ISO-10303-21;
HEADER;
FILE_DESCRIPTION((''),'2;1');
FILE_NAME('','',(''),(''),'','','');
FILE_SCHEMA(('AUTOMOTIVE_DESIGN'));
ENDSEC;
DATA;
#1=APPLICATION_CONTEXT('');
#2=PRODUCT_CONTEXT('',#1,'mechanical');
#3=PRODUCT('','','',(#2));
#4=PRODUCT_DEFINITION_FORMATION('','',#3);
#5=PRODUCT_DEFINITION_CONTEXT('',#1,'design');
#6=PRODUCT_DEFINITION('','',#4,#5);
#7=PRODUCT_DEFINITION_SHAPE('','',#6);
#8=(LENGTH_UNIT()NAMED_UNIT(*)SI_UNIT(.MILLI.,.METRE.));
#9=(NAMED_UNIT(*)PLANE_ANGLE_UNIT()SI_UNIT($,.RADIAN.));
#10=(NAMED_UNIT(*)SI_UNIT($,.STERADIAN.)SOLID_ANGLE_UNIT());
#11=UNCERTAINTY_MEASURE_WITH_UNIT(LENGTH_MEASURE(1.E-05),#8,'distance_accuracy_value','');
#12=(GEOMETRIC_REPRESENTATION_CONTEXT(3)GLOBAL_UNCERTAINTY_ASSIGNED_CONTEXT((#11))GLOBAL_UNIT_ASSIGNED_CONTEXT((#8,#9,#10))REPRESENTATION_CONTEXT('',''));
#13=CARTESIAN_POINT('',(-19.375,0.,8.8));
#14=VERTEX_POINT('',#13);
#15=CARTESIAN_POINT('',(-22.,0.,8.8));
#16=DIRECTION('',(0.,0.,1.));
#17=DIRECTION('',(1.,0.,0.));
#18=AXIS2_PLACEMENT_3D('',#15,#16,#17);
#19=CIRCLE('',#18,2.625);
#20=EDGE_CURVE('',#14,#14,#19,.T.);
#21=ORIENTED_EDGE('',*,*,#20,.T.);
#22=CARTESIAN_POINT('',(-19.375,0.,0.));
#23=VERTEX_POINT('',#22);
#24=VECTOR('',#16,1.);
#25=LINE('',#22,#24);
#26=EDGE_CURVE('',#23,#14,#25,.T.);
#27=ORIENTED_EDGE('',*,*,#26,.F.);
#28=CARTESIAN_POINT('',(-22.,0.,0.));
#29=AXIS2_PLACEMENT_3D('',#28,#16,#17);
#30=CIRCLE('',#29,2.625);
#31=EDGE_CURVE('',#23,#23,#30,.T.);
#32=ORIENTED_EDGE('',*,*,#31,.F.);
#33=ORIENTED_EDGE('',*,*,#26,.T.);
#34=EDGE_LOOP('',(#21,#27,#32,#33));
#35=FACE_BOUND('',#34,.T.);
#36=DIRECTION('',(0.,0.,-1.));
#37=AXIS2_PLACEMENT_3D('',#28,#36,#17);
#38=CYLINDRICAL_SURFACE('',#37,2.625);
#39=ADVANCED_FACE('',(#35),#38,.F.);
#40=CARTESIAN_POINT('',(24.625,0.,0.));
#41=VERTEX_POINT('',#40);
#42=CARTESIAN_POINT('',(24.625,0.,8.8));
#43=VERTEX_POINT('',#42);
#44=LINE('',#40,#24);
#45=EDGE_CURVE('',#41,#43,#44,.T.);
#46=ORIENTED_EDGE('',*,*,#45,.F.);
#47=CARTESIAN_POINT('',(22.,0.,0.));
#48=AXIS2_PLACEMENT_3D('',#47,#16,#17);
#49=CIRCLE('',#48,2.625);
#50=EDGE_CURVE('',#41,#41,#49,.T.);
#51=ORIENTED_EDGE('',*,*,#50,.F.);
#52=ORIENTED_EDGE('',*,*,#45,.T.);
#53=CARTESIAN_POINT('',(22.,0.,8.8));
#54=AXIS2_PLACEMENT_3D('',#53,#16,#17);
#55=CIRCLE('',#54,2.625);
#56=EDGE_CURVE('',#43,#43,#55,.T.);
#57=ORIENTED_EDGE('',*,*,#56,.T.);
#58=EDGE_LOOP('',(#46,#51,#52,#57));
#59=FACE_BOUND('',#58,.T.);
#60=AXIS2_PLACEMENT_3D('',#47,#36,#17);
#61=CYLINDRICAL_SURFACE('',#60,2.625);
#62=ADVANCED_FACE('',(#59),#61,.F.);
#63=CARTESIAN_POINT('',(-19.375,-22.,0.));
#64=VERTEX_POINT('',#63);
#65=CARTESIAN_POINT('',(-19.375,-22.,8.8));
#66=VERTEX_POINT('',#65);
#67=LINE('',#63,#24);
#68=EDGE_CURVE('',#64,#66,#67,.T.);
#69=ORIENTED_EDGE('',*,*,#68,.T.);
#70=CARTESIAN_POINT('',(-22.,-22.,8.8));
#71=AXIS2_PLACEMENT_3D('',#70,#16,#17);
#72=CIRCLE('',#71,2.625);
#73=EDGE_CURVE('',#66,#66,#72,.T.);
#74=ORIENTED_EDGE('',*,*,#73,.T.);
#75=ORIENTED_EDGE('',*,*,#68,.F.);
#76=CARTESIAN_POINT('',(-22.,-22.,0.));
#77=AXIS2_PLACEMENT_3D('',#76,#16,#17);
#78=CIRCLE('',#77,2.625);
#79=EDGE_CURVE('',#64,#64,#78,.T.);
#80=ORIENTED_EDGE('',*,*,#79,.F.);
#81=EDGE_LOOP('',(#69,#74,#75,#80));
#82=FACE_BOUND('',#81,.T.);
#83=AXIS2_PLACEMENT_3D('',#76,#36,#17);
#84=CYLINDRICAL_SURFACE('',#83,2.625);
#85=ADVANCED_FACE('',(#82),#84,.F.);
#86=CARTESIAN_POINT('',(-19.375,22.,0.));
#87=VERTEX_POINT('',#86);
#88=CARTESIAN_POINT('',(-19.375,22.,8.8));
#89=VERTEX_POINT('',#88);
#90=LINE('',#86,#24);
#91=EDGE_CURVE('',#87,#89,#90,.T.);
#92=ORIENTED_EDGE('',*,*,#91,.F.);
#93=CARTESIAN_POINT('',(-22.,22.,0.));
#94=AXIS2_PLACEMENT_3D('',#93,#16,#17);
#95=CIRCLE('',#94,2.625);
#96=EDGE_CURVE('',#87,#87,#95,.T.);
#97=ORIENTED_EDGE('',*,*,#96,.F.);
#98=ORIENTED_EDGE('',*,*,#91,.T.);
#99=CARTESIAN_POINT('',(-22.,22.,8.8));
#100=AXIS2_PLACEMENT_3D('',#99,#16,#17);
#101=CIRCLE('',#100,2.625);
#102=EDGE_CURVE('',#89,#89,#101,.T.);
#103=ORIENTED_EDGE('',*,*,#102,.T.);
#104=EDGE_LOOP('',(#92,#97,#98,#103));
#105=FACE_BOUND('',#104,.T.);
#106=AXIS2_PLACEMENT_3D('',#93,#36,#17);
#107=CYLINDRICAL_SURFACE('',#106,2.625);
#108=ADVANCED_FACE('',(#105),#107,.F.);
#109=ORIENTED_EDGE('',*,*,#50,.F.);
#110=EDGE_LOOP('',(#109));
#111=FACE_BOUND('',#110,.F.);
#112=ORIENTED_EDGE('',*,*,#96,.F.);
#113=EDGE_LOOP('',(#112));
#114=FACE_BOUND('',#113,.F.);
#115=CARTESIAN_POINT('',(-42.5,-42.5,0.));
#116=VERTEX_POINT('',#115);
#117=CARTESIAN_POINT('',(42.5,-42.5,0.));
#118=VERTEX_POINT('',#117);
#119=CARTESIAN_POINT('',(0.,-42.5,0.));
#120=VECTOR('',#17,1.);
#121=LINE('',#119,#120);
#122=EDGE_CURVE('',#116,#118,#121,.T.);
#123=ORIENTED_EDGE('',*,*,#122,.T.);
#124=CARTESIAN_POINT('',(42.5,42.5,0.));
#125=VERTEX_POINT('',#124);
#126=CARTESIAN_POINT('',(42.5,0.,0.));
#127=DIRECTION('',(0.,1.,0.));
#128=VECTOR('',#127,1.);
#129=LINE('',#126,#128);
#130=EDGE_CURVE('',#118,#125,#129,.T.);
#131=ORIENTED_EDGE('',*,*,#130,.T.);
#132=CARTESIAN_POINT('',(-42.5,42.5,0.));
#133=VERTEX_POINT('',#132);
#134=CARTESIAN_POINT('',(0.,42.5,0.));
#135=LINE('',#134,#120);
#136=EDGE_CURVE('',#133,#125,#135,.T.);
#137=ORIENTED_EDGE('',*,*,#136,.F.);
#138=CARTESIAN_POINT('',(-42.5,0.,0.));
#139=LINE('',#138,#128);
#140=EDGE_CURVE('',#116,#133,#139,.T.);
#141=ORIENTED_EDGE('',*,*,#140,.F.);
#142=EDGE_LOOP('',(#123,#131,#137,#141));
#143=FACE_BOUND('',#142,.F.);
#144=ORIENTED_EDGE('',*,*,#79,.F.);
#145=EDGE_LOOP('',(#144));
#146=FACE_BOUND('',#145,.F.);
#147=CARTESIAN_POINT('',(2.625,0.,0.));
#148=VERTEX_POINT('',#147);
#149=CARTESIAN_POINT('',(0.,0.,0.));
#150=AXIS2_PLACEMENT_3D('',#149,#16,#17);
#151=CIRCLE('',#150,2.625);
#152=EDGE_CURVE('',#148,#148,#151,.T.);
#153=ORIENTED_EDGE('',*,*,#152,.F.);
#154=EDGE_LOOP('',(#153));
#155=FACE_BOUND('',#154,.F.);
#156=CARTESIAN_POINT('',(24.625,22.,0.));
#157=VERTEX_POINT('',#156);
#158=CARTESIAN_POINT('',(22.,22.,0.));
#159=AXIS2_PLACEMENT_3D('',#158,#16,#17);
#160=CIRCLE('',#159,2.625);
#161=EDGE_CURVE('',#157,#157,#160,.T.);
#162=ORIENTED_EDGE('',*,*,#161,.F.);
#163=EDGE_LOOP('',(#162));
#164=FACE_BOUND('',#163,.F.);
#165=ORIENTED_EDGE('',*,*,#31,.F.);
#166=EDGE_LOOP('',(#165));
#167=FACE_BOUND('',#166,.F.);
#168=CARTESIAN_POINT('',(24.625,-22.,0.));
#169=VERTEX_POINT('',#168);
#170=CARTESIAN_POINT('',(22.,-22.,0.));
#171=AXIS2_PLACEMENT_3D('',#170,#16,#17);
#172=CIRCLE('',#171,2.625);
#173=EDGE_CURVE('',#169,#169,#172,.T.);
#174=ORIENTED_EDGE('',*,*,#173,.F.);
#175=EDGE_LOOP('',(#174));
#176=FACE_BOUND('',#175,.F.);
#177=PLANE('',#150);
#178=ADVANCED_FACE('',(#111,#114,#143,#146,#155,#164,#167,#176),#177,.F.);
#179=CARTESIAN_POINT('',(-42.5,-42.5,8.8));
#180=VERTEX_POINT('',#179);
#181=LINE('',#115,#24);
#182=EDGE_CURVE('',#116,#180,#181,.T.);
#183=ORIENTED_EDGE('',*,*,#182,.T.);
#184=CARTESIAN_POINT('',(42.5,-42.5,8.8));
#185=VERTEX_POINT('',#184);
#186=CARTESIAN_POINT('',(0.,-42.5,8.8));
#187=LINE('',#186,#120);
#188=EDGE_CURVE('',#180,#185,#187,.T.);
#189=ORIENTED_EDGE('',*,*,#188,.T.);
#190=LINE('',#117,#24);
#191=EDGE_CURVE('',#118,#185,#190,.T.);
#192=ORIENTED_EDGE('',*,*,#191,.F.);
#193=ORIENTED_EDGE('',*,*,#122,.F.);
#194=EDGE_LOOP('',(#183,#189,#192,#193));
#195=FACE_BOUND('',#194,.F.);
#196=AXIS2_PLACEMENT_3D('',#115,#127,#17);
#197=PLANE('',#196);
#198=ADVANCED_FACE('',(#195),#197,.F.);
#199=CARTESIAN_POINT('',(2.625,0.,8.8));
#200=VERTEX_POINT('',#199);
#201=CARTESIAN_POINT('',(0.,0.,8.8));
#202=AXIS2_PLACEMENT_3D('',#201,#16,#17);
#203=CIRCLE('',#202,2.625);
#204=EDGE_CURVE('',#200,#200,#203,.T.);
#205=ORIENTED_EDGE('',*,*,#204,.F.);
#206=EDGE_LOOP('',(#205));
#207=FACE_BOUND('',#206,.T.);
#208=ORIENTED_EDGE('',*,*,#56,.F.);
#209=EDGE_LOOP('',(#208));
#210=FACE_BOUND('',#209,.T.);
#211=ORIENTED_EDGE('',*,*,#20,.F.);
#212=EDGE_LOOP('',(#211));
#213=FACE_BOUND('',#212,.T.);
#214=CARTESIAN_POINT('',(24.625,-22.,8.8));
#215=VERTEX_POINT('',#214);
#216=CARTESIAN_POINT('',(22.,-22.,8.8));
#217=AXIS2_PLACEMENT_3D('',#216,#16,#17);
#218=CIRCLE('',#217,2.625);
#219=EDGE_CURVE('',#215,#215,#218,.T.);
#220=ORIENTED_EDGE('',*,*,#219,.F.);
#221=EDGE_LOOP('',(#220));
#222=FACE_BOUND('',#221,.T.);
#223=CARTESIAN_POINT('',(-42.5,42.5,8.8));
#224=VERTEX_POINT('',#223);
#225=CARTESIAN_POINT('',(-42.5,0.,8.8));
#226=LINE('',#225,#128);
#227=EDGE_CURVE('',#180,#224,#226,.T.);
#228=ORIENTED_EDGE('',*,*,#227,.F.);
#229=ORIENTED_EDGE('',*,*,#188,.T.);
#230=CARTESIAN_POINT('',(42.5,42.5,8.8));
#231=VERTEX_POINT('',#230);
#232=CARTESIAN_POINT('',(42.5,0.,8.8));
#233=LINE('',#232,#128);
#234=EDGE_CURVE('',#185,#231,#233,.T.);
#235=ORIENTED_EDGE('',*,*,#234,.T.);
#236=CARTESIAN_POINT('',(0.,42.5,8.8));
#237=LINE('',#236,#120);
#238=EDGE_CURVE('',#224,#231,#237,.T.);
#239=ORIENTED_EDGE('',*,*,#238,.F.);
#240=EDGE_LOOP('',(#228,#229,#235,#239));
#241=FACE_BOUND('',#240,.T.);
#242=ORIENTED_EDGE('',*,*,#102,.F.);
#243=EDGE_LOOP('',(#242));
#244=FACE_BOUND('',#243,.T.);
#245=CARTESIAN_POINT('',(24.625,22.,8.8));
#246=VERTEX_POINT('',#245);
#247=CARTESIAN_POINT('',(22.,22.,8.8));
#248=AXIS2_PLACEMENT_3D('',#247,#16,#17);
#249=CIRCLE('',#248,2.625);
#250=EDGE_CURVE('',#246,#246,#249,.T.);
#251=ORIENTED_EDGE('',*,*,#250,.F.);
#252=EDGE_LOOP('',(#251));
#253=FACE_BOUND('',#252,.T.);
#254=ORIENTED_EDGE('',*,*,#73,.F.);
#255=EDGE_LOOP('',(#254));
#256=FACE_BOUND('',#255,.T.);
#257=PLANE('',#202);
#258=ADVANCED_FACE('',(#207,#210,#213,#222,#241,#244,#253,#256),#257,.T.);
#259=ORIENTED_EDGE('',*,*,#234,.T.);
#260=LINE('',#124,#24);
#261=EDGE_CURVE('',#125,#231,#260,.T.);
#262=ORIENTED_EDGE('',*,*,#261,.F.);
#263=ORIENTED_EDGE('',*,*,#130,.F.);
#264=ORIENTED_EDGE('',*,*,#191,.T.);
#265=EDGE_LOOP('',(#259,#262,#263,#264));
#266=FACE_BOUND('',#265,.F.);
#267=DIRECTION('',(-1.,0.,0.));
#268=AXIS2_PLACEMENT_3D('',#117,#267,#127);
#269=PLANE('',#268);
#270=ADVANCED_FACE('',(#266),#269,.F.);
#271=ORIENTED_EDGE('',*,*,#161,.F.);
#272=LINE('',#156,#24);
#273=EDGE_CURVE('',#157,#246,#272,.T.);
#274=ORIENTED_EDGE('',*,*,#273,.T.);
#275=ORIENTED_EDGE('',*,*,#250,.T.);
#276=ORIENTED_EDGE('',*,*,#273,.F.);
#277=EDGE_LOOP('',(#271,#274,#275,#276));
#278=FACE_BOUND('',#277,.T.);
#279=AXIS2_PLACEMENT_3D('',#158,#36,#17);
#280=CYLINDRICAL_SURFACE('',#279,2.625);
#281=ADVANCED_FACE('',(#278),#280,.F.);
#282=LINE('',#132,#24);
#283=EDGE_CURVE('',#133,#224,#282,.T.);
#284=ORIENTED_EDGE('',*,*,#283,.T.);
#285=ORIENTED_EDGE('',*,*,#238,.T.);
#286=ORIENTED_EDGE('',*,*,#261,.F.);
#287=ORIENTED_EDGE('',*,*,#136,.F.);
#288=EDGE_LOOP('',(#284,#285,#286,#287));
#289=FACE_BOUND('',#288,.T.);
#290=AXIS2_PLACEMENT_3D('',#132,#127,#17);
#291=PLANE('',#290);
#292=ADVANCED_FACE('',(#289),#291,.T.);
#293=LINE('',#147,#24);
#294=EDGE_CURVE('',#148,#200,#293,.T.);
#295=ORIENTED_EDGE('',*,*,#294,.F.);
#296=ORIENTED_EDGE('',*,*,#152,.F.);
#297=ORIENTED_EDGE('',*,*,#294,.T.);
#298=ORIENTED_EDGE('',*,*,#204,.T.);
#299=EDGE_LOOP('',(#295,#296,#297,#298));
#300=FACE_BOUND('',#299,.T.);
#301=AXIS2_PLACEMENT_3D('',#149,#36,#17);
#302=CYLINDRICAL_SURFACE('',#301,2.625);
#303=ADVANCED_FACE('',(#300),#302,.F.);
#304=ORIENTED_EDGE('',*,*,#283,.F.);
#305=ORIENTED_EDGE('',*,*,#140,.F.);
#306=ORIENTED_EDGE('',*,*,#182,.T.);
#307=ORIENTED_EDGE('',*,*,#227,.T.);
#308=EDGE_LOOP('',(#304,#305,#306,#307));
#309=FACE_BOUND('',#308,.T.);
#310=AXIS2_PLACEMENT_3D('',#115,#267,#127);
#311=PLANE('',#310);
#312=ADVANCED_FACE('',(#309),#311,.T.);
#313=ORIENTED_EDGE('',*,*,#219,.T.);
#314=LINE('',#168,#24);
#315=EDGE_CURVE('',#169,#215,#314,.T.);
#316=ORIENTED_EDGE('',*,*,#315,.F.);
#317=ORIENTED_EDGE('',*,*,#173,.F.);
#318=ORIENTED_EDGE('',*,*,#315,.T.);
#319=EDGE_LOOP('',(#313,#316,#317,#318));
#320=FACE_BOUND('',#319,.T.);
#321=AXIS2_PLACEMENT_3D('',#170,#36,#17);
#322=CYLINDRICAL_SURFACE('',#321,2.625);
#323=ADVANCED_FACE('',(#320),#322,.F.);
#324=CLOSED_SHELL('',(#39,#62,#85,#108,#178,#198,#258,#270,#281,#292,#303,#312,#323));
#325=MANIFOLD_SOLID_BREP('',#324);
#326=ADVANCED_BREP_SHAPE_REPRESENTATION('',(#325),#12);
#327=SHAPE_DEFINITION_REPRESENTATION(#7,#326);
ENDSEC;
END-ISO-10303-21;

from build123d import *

# Parameters (mm, degrees)
SKETCH_W  = 85
SKETCH_H  = 85
SKETCH_R  = 2.625
PAD_DEPTH = 8.8


with BuildPart() as part:
    # Sketch → Pad (new body)
    with BuildSketch(Plane.XY):
        Rectangle(SKETCH_W, SKETCH_H)
        with Locations((-22, 22)):
            Circle(SKETCH_R, mode=Mode.SUBTRACT)
        with Locations((-22, 0)):
            Circle(SKETCH_R, mode=Mode.SUBTRACT)
        with Locations((-22, -22)):
            Circle(SKETCH_R, mode=Mode.SUBTRACT)
        Circle(SKETCH_R, mode=Mode.SUBTRACT)
        with Locations((22, 22)):
            Circle(SKETCH_R, mode=Mode.SUBTRACT)
        with Locations((22, 0)):
            Circle(SKETCH_R, mode=Mode.SUBTRACT)
        with Locations((22, -22)):
            Circle(SKETCH_R, mode=Mode.SUBTRACT)
    extrude(amount=PAD_DEPTH)


solid = part.part
